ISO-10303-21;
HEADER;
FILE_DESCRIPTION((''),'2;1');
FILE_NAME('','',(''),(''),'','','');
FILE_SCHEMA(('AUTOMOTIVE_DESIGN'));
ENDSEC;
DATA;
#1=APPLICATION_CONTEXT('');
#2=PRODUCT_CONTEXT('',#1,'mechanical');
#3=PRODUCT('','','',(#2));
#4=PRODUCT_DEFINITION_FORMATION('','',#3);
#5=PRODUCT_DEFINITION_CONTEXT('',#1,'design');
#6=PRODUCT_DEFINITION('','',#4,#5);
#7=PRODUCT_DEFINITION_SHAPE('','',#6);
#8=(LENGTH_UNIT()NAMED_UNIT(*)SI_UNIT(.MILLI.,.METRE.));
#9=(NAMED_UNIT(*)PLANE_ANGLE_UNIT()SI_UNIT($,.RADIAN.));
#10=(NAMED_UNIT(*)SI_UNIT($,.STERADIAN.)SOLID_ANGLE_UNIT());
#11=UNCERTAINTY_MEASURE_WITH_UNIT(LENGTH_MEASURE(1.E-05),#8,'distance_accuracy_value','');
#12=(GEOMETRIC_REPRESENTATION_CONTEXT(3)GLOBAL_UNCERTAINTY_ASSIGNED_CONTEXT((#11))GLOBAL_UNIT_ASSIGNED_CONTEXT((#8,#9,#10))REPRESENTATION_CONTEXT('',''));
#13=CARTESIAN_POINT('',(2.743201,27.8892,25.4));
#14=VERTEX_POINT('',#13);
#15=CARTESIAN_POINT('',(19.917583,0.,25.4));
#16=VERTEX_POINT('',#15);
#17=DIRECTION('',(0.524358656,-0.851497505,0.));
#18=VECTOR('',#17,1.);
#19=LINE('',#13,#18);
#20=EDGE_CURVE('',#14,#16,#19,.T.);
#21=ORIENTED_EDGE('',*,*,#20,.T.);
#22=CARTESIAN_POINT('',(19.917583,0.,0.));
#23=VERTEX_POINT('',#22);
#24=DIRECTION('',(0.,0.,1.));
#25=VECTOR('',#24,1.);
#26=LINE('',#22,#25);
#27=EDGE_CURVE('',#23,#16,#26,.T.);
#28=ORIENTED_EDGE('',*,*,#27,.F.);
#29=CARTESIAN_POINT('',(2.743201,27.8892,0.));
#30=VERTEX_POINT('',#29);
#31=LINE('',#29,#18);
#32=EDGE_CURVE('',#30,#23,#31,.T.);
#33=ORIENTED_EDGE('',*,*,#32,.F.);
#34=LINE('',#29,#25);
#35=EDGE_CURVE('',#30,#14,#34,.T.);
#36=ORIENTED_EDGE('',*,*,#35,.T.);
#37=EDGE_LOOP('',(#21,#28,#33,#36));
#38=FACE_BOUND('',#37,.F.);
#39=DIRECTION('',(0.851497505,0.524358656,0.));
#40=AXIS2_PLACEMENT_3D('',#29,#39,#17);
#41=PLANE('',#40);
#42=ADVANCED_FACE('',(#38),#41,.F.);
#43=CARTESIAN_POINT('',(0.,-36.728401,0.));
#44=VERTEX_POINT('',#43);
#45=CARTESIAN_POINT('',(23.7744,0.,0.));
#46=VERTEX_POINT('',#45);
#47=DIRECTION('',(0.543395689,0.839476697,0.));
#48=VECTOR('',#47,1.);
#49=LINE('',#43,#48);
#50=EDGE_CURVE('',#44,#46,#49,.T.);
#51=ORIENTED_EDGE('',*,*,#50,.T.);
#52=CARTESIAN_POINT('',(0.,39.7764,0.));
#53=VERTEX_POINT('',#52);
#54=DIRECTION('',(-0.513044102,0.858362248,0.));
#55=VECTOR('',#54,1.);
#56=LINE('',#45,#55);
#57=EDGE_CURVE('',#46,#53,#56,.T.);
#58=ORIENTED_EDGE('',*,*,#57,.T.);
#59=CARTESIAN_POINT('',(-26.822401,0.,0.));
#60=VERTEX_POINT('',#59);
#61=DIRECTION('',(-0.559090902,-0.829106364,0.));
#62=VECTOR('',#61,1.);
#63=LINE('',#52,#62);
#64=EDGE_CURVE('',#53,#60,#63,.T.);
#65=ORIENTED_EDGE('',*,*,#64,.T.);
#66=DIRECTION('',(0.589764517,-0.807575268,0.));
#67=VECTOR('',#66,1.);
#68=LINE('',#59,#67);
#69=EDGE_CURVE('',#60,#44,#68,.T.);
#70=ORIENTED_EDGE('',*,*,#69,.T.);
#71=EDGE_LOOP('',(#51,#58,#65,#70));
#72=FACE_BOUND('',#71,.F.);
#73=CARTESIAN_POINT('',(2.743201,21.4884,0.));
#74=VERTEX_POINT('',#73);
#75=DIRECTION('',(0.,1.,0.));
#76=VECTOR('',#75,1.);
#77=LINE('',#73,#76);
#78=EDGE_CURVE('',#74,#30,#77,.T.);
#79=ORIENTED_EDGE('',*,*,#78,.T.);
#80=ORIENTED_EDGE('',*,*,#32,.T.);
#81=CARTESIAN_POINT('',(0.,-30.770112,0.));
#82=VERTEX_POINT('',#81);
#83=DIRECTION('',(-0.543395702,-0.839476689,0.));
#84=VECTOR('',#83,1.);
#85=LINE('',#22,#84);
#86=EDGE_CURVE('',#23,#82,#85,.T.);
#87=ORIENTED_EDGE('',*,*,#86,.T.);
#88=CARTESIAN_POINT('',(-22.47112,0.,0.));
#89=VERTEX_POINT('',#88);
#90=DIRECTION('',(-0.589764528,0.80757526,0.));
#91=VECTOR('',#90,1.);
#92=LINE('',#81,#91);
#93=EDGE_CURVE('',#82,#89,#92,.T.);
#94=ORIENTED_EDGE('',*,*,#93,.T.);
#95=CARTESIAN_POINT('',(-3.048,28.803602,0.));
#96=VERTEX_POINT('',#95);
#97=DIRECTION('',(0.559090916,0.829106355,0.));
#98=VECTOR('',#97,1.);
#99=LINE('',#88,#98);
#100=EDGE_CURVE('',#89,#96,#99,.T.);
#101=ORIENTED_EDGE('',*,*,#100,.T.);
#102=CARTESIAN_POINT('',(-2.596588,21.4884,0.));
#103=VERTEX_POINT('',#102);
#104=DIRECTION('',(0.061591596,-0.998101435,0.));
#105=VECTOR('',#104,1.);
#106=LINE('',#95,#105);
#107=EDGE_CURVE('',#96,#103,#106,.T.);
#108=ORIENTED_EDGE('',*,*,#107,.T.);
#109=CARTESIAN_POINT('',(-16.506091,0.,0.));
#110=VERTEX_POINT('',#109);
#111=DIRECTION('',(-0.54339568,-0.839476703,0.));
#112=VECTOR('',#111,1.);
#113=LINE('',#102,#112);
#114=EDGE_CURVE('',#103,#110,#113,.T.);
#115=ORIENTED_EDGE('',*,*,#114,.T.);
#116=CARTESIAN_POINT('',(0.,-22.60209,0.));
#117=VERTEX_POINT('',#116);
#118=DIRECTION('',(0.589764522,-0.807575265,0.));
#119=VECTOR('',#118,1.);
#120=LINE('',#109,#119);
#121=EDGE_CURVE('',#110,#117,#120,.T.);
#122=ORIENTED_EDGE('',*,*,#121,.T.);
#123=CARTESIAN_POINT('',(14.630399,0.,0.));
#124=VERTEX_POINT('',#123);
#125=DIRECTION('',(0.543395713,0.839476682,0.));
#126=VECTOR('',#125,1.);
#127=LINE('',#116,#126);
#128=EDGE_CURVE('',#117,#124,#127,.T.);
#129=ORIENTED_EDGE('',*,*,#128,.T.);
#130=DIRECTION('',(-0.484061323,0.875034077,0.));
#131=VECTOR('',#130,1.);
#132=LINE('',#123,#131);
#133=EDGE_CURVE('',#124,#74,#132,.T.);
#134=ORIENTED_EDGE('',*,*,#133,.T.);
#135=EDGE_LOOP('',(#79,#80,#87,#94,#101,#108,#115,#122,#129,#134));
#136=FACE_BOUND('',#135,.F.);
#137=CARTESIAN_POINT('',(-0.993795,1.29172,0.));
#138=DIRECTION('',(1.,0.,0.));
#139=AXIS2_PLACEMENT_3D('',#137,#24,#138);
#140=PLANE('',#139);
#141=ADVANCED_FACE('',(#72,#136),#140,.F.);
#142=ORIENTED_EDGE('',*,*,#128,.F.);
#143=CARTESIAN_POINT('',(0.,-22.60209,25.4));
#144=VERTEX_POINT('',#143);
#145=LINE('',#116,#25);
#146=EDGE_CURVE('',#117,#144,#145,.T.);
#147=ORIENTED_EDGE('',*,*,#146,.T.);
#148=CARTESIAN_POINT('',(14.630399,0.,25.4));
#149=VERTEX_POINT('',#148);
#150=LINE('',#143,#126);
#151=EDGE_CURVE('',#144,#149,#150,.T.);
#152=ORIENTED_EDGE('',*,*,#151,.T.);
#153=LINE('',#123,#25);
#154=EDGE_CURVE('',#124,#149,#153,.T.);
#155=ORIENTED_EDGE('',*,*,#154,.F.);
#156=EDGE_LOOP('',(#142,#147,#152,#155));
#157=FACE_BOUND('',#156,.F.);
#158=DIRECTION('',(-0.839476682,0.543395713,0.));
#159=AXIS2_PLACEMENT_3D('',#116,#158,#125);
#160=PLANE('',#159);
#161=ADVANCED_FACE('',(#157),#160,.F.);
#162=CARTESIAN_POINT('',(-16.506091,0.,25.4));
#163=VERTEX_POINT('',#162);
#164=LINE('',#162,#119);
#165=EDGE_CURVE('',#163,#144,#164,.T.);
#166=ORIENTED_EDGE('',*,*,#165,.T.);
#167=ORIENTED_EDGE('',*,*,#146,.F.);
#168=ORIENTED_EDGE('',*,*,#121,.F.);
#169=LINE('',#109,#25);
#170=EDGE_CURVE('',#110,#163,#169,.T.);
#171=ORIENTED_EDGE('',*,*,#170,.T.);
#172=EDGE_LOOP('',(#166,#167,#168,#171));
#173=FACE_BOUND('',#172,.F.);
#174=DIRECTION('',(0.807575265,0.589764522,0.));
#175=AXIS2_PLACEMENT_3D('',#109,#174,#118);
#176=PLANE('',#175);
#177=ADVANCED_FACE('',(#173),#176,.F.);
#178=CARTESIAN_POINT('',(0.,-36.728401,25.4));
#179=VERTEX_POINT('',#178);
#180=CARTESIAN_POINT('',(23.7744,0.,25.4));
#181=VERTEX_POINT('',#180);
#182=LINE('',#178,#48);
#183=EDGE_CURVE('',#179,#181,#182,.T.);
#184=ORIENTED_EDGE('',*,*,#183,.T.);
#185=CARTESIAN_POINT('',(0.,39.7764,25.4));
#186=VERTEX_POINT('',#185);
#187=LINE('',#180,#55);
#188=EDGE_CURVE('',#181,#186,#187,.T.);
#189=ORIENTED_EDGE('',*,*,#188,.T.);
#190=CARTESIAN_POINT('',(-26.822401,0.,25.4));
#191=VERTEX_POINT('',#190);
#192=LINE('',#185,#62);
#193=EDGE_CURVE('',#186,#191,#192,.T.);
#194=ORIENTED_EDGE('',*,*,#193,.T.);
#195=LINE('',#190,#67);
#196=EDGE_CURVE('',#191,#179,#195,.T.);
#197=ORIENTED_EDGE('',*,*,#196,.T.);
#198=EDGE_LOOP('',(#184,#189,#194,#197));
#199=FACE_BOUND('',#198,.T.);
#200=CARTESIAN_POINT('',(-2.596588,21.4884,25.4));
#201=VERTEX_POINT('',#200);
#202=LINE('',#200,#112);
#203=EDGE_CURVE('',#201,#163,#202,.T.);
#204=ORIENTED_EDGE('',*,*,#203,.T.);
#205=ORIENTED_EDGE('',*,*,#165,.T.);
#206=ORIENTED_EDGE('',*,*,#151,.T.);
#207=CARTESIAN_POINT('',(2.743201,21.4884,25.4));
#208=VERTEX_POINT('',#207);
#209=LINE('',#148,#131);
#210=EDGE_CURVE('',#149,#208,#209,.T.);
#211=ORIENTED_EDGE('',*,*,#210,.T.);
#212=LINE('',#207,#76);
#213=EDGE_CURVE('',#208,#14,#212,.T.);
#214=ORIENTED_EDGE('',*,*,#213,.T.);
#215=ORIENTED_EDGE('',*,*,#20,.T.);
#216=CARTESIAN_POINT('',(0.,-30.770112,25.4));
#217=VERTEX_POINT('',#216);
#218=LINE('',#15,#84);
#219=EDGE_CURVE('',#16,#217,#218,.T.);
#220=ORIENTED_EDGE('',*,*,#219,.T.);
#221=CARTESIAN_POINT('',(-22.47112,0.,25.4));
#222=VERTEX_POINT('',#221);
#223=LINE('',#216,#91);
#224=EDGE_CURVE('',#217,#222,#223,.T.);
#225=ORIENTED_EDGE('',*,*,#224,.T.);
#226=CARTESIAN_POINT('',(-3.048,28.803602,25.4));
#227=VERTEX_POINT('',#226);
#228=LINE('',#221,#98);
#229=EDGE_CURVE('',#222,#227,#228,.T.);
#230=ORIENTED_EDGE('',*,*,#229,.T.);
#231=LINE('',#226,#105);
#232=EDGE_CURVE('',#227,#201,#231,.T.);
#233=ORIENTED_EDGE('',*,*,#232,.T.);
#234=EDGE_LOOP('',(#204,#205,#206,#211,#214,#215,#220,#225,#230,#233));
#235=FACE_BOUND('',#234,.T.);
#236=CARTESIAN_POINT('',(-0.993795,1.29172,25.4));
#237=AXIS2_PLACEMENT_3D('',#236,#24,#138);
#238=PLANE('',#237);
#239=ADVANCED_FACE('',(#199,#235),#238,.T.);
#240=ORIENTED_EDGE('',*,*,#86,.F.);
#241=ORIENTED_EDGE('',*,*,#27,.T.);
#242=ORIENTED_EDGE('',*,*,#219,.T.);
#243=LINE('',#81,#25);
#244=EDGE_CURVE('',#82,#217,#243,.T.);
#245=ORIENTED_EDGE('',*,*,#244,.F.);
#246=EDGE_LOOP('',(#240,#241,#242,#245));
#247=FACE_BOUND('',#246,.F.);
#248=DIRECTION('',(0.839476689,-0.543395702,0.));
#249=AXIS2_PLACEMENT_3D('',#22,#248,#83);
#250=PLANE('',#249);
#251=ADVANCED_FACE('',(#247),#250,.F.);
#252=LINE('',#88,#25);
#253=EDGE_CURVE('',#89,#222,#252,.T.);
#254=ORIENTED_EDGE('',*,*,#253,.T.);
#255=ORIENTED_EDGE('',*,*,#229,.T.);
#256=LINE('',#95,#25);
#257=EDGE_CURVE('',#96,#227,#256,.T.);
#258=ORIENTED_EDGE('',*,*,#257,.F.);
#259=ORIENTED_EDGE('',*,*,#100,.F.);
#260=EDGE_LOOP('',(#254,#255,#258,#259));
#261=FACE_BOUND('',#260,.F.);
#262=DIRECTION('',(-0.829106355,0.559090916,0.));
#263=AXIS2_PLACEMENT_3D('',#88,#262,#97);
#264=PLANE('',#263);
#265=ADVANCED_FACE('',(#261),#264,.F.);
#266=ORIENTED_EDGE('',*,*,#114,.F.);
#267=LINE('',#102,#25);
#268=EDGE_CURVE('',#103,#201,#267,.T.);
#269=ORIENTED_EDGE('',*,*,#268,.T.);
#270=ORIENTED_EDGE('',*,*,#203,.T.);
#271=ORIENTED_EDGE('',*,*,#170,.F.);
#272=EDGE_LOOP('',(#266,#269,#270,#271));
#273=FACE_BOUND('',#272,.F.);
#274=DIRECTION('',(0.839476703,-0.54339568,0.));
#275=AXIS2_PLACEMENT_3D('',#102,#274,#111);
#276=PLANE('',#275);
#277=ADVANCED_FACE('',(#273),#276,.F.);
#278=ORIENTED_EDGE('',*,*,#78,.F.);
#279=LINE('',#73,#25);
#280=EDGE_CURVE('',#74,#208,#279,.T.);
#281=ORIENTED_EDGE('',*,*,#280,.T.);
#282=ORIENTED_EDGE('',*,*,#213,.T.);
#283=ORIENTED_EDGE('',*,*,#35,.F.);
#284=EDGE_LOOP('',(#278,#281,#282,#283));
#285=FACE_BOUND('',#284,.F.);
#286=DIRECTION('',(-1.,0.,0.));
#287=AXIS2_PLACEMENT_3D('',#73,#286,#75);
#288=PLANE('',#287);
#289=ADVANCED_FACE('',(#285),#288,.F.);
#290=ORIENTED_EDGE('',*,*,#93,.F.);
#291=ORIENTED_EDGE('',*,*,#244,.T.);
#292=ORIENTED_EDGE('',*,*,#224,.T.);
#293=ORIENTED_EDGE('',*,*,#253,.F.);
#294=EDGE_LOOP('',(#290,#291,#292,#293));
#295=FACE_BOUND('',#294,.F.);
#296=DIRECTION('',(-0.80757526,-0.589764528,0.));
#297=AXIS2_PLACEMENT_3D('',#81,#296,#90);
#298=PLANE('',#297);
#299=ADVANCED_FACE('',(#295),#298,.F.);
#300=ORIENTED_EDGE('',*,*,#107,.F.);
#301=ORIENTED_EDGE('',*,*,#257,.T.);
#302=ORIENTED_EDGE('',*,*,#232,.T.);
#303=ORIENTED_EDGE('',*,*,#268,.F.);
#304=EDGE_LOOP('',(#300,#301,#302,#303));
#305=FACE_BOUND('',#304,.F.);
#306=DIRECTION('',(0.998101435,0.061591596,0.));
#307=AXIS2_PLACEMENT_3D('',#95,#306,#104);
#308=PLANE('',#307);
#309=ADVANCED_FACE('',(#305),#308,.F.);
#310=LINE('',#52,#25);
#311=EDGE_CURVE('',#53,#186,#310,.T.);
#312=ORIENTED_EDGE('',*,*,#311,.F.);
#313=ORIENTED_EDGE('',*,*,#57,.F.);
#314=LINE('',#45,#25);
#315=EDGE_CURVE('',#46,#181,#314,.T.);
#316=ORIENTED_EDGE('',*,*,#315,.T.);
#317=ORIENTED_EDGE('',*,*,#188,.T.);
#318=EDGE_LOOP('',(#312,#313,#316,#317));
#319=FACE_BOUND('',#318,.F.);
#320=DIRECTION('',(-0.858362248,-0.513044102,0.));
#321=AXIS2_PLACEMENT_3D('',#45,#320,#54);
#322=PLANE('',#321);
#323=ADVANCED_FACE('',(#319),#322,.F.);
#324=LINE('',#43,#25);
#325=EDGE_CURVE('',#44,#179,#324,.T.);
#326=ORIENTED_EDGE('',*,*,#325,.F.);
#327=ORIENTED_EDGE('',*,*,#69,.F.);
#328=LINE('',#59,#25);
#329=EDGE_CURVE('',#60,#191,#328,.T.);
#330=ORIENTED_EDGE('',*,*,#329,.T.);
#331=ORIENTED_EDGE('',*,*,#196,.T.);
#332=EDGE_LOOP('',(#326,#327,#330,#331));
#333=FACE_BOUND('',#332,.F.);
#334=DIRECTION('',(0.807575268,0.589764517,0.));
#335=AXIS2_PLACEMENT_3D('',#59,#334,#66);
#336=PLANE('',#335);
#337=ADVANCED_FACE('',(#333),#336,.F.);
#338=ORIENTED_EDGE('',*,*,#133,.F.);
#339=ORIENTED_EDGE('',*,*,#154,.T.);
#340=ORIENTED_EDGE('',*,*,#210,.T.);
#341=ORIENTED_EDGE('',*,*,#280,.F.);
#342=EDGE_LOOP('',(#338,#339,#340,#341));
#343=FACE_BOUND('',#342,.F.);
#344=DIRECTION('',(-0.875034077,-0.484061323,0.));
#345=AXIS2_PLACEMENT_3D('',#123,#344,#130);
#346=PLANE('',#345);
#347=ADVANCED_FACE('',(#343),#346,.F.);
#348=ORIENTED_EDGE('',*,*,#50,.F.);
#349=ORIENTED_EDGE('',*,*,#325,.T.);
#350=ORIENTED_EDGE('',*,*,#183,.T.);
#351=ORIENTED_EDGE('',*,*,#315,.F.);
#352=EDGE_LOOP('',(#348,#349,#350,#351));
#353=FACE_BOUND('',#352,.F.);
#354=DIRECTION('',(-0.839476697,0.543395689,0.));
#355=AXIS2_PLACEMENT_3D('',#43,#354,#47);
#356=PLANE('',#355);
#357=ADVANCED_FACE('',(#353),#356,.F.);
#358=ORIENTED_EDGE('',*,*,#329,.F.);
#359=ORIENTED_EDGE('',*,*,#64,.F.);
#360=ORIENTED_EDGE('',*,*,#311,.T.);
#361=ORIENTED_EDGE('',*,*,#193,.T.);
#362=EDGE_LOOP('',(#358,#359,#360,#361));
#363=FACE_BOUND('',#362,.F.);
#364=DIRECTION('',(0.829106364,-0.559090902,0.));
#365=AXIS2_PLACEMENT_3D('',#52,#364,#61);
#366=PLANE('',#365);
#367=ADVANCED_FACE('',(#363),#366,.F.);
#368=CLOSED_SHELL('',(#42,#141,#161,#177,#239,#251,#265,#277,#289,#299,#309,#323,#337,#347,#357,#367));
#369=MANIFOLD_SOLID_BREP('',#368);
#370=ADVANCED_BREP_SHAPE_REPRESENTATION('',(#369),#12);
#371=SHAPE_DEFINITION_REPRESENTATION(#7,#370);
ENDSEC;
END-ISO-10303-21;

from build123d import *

# Parameters (mm, degrees)
F1_DEPTH = 25.4


with BuildPart() as f1:
    # F0 (on Top) → F1 (new body)
    with BuildSketch(Plane.XY):
        Polygon((23.7744, 0), (0, 39.7764), (-26.822401, 0), (0, -36.728401), align=None)
        Polygon((-22.47112, 0), (-3.048, 28.803602), (-2.596588, 21.4884), (-16.506091, 0), (0, -22.60209), (14.630399, 0), (2.743201, 21.4884), (2.743201, 27.8892), (19.917583, 0), (0, -30.770112), align=None, mode=Mode.SUBTRACT)
    extrude(amount=F1_DEPTH)


solid = f1.part
